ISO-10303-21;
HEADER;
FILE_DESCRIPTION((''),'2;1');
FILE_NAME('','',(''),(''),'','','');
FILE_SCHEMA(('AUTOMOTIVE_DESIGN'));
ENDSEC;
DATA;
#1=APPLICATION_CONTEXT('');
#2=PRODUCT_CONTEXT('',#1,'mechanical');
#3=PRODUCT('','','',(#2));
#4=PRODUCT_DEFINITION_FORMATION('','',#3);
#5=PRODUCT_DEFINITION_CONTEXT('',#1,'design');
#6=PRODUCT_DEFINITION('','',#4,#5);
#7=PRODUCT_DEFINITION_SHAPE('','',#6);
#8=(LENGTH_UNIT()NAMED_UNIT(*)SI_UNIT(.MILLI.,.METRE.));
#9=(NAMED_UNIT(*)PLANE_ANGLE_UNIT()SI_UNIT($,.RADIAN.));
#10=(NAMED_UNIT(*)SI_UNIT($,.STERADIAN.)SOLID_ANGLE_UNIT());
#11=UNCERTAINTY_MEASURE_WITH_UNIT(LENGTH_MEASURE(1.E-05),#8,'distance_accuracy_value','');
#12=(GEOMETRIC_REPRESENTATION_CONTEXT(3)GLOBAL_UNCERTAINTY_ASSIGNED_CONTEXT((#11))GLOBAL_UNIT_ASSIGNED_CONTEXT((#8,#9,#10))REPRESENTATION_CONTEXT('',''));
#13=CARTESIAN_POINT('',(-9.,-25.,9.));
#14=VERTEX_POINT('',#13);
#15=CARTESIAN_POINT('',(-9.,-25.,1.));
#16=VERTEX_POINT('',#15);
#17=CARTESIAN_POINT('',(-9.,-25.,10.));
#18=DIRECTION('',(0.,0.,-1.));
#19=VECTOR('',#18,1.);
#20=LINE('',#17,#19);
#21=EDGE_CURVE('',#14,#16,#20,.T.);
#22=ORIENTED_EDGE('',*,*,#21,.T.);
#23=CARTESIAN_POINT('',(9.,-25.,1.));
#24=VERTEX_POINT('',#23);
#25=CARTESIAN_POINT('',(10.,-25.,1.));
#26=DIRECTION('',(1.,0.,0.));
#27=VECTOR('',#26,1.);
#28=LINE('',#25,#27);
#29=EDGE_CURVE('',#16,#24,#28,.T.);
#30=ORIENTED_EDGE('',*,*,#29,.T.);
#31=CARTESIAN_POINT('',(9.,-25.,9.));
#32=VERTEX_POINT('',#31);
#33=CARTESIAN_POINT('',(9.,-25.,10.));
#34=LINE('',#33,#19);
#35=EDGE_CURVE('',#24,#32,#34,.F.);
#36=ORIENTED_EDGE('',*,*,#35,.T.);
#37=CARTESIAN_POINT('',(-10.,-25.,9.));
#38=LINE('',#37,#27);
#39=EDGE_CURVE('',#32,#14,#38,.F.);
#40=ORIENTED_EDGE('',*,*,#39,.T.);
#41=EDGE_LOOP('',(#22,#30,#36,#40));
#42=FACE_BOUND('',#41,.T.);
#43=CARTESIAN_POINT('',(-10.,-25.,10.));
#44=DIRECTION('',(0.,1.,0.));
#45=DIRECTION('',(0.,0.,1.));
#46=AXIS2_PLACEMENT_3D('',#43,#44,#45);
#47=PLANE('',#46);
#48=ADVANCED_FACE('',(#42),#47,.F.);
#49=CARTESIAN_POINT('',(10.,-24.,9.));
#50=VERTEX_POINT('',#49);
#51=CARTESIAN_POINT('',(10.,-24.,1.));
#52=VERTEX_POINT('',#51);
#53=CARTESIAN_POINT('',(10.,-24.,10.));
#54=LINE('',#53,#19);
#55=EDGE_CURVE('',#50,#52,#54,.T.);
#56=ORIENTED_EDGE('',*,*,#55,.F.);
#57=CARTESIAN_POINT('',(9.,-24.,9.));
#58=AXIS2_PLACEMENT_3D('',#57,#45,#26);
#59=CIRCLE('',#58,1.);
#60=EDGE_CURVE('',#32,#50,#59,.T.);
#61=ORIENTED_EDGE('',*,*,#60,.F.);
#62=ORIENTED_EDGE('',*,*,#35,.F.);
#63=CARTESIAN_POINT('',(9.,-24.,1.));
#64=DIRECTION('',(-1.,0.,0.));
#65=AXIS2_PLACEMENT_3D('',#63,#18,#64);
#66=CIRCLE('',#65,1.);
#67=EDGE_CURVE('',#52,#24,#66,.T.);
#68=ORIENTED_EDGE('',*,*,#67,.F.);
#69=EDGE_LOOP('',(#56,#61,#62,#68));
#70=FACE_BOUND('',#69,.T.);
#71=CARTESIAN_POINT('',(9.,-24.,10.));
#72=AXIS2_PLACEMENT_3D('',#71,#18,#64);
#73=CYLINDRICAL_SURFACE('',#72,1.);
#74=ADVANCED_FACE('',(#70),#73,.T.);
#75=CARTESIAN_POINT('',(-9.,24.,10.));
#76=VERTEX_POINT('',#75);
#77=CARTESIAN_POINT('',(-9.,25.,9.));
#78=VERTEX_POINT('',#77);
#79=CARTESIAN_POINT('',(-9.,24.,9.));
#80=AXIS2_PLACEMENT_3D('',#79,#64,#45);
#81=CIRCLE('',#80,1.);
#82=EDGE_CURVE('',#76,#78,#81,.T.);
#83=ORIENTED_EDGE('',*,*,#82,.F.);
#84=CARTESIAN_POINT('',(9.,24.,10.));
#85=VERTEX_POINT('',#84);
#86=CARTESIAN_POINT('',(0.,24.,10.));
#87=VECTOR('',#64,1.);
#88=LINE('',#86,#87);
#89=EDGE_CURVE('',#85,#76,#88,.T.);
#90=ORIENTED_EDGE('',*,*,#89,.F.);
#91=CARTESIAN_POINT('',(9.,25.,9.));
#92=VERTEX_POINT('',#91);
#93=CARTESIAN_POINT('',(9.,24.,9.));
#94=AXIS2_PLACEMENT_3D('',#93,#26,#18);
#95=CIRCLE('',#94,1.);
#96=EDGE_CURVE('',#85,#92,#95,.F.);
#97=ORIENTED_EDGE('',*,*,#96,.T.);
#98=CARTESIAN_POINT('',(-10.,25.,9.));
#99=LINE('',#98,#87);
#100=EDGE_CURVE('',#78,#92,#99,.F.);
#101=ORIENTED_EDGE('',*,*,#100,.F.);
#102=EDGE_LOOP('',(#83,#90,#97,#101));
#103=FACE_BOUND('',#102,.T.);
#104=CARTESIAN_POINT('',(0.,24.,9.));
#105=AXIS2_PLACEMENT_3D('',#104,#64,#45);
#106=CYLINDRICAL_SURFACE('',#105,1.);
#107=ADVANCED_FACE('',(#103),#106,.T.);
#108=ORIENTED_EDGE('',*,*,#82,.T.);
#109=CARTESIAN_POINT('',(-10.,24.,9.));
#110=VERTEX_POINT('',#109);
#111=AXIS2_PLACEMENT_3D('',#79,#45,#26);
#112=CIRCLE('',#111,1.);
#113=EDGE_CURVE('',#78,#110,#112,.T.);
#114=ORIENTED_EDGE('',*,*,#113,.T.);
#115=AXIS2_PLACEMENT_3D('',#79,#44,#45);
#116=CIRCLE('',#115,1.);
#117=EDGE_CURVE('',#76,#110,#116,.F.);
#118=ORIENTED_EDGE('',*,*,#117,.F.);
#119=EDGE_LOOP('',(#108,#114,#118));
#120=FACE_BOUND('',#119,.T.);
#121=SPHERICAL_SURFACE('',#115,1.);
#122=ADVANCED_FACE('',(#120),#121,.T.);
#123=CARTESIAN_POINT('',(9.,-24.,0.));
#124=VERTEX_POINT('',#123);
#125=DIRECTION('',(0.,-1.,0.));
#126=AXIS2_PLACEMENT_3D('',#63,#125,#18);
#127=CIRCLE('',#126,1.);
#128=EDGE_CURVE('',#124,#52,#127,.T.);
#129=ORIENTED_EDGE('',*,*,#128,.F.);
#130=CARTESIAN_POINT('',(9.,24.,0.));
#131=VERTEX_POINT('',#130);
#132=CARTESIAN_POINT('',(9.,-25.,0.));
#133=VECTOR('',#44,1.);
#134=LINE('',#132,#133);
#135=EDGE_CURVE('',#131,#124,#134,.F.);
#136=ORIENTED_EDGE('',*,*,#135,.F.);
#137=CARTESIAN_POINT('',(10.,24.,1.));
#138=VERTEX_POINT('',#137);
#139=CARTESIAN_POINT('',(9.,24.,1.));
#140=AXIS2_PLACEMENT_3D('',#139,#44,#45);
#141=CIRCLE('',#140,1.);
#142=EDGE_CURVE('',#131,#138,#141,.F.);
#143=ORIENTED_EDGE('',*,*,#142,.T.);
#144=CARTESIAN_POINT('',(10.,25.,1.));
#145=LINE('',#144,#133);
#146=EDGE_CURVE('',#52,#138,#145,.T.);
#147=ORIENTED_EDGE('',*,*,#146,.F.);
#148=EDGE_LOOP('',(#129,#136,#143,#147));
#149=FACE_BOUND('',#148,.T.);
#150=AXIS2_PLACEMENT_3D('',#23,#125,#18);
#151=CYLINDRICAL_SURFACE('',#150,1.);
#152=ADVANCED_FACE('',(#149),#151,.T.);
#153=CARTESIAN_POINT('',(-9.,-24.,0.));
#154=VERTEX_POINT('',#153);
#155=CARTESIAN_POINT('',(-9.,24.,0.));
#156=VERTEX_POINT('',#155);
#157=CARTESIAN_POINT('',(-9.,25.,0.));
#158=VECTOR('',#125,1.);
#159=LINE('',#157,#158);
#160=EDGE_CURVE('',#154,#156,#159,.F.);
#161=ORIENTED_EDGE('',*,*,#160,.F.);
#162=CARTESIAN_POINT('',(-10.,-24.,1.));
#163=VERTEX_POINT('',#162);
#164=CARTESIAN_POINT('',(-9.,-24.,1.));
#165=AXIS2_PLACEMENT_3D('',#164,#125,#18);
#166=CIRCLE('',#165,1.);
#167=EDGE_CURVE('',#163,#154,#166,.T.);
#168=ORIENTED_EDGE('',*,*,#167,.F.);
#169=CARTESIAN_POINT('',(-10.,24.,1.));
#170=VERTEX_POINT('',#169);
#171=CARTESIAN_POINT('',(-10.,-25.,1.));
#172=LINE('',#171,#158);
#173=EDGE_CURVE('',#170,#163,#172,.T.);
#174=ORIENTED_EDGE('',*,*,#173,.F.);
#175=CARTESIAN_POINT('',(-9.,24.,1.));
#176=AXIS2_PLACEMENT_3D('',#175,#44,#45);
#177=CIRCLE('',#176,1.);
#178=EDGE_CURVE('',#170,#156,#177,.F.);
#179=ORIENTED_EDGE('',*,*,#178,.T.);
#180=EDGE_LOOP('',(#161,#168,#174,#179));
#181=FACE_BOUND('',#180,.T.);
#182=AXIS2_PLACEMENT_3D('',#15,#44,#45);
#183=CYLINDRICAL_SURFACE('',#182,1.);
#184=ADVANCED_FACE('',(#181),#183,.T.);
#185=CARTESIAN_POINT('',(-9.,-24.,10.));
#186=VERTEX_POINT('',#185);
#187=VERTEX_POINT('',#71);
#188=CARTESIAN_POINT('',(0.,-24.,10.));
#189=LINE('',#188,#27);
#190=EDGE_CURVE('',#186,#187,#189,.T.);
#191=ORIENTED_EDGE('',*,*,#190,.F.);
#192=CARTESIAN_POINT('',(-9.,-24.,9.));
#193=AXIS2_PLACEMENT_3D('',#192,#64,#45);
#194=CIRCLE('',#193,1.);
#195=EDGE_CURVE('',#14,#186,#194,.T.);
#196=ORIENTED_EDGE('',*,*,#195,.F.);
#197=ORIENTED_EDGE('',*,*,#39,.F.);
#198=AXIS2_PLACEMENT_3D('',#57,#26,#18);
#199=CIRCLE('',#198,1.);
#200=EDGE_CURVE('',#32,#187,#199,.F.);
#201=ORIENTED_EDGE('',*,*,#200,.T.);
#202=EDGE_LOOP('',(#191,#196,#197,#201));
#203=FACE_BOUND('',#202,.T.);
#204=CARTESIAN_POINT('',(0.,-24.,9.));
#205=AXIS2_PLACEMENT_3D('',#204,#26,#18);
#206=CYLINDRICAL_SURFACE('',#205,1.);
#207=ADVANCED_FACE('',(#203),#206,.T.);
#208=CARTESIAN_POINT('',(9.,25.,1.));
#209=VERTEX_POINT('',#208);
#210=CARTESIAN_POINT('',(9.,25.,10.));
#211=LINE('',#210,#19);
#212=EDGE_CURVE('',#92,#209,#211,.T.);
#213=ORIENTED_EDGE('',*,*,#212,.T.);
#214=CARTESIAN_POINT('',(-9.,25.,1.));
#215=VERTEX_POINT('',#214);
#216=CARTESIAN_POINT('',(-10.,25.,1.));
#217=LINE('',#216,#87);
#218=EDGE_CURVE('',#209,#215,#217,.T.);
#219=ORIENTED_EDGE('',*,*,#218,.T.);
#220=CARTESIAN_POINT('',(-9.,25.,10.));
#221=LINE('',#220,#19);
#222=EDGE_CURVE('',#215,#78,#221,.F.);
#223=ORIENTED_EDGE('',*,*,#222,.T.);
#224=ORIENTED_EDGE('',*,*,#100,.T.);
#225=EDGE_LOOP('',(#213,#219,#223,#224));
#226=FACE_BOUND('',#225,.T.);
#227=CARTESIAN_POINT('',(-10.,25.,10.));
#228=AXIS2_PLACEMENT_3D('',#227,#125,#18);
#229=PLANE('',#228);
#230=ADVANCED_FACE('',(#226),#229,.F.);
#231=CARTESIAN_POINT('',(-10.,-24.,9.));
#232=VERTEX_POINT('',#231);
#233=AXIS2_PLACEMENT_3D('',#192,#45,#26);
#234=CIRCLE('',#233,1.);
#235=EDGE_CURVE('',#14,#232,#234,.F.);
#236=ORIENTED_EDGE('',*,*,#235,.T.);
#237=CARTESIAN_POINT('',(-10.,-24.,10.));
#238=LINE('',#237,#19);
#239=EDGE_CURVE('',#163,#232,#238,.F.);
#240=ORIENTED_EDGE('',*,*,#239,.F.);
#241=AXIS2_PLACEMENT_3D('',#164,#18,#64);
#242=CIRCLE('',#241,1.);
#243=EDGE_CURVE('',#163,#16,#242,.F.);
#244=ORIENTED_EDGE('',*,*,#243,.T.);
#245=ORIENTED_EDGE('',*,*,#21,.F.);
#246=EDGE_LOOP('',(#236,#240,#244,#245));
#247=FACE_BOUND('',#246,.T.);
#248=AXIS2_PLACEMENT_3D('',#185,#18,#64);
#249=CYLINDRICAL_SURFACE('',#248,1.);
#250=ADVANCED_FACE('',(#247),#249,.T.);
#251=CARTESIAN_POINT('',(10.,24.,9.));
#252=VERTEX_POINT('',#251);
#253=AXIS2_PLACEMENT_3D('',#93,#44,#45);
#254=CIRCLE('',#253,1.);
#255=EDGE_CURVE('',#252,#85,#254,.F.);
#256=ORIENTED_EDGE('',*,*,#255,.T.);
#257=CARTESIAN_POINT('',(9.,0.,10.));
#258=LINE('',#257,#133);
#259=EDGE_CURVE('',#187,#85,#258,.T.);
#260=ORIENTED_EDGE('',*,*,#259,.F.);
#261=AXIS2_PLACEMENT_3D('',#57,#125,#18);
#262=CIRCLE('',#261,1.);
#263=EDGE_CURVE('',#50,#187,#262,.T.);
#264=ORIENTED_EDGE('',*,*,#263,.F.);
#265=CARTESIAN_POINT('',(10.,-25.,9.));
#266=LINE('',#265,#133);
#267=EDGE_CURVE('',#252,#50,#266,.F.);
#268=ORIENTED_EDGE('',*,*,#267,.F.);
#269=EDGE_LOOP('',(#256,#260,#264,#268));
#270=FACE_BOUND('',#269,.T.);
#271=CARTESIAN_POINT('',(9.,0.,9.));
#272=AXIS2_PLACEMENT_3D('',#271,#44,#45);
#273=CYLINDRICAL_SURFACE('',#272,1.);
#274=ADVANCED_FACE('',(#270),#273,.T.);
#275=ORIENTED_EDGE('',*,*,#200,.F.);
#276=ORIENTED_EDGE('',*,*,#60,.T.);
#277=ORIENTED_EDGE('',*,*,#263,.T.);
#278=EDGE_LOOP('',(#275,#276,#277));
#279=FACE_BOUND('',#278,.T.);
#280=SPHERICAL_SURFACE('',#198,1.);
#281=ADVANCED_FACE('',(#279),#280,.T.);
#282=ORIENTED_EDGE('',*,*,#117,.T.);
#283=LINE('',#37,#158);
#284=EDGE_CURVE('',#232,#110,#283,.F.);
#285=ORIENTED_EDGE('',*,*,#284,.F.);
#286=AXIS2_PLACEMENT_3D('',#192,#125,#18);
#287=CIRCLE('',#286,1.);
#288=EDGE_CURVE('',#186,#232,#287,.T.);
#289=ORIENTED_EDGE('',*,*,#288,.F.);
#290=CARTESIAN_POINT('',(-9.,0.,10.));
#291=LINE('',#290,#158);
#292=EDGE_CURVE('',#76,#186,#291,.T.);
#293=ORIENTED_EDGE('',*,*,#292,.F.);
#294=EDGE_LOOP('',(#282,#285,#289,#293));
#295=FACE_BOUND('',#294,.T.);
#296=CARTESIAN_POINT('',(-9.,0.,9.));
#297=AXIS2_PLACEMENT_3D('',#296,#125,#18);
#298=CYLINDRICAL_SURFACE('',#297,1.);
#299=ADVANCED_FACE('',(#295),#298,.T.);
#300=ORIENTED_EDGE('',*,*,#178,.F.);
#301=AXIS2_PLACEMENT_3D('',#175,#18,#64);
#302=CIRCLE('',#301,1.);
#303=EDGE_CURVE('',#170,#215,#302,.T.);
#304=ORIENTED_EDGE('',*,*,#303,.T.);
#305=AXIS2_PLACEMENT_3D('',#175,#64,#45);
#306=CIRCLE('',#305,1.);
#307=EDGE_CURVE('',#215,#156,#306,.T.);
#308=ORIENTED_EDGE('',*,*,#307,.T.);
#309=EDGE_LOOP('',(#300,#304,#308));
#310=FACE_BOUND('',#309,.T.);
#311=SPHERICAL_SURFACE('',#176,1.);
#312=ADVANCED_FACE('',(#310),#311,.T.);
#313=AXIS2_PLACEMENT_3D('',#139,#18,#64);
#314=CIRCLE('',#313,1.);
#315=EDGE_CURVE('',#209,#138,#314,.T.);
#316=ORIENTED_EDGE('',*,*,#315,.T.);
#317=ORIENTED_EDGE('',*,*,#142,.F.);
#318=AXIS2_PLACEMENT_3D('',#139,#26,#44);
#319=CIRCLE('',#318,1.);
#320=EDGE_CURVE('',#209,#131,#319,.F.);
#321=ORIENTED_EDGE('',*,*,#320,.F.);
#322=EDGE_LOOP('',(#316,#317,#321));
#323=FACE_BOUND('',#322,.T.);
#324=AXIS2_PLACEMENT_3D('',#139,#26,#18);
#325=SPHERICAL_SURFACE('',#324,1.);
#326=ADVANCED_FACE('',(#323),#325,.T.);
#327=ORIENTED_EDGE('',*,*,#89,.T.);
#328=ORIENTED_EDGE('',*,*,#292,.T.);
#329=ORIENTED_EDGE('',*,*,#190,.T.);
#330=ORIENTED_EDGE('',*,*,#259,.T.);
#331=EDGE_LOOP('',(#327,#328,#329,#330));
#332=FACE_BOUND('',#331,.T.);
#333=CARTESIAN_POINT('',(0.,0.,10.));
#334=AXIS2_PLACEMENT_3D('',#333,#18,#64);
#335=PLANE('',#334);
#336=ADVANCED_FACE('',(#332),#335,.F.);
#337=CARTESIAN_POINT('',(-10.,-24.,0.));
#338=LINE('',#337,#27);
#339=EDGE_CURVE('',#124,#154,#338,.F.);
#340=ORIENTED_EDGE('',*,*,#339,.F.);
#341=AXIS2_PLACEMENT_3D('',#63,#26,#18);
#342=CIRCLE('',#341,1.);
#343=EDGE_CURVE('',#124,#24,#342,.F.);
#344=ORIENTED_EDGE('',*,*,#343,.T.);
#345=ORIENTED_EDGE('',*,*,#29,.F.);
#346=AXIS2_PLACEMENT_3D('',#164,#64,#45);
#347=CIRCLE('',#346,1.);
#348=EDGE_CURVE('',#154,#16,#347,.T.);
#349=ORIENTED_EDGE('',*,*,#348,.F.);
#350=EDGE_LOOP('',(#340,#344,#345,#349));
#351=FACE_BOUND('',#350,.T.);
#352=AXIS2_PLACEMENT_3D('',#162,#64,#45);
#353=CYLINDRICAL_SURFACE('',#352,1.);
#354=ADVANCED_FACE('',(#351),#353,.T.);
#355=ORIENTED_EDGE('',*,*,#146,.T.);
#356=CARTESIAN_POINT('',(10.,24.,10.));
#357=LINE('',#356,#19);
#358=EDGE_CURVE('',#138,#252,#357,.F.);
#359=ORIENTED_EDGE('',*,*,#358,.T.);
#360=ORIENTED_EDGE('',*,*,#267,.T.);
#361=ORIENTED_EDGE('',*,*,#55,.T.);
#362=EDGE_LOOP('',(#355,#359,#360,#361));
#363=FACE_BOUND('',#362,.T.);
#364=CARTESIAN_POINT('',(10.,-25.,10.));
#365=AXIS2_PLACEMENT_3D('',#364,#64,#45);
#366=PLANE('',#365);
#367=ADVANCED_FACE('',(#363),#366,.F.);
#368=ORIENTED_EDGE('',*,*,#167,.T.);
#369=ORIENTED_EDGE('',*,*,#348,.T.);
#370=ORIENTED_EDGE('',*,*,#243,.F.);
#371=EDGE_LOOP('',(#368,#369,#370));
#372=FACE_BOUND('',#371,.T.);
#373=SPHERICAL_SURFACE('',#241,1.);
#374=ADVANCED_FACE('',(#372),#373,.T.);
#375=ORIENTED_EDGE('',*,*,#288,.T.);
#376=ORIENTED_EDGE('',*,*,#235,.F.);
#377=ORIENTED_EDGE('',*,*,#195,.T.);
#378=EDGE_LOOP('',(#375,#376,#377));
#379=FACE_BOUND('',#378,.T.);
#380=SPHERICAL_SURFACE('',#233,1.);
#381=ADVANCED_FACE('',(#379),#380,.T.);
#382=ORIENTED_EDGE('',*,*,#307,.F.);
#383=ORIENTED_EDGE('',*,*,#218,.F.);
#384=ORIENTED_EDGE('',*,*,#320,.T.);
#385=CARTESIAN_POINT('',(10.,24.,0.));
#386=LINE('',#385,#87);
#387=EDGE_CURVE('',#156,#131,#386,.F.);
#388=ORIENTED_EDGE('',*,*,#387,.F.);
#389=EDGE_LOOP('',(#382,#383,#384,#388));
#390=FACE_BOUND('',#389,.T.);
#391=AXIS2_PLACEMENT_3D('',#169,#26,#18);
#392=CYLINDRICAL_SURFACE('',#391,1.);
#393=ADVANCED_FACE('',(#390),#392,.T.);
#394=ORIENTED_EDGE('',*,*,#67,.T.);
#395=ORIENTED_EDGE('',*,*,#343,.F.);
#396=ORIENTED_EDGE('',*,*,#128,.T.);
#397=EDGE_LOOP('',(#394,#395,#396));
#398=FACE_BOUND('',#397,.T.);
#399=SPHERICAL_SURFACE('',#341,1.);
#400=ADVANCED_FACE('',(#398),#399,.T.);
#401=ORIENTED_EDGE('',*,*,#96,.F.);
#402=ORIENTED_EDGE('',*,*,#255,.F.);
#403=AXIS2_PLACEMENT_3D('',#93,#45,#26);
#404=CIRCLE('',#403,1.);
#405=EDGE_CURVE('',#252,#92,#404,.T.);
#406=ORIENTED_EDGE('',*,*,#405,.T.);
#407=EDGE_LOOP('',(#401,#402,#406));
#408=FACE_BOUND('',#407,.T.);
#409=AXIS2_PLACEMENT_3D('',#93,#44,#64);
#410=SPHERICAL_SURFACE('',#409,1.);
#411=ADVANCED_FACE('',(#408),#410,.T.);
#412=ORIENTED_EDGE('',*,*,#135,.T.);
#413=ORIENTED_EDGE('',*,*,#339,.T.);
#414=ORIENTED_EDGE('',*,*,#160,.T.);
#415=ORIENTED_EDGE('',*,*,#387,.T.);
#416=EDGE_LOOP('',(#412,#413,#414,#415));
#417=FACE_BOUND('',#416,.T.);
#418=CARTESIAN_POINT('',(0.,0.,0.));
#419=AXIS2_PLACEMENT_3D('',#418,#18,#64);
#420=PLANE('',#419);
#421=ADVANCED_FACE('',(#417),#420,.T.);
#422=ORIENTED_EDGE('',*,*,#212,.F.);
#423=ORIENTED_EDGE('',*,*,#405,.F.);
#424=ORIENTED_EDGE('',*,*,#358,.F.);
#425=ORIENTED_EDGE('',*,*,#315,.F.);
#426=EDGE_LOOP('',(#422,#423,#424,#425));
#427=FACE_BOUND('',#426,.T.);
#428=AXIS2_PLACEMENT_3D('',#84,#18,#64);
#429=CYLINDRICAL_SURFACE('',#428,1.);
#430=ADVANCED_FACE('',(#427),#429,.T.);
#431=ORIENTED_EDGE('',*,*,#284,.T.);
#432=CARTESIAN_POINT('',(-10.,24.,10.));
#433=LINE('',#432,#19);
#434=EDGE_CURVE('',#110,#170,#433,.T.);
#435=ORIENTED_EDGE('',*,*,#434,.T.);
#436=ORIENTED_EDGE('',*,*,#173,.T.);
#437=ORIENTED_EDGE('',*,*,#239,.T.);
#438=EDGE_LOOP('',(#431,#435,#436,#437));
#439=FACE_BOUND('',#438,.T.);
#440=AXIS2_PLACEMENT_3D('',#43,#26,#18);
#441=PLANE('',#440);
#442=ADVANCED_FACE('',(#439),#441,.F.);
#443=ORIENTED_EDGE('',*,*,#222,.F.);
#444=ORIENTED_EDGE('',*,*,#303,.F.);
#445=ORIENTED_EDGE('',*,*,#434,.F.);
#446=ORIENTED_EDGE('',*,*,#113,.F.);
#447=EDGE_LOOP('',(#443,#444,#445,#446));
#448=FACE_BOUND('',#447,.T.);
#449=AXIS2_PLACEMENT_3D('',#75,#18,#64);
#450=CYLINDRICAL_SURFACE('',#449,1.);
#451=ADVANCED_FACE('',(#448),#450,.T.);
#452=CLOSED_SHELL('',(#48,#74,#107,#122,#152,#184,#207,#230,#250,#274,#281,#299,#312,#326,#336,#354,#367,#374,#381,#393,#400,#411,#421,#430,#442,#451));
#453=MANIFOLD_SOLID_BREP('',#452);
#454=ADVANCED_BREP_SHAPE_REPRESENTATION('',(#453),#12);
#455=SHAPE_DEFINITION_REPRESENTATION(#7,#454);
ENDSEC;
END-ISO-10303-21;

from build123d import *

# Parameters (mm, degrees)
SKETCH_1_W      = 20
SKETCH_1_H      = 50
EXTRUDE_1_DEPTH = 10
FILLET_1_R      = 1


with BuildPart() as part:
    # 草图1 → 凸台-拉伸1 (new body)
    with BuildSketch(Plane.XY):
        Rectangle(SKETCH_1_W, SKETCH_1_H)
    extrude(amount=EXTRUDE_1_DEPTH)

    # 圆角1
    fillet_1_edges = [part.edges().sort_by_distance(p)[0] for p in [
        (-10, 0, 10),
        (0, -25, 10),
        (10, 0, 10),
        (0, -25, 0),
        (-10, 0, 0),
        (0, 25, 0),
        (10, 0, 0),
        (10, -25, 5),
        (-10, -25, 5),
        (-10, 25, 5),
        (10, 25, 5),
        (0, 25, 10),
    ]]
    fillet(fillet_1_edges, radius=FILLET_1_R)


solid = part.part
